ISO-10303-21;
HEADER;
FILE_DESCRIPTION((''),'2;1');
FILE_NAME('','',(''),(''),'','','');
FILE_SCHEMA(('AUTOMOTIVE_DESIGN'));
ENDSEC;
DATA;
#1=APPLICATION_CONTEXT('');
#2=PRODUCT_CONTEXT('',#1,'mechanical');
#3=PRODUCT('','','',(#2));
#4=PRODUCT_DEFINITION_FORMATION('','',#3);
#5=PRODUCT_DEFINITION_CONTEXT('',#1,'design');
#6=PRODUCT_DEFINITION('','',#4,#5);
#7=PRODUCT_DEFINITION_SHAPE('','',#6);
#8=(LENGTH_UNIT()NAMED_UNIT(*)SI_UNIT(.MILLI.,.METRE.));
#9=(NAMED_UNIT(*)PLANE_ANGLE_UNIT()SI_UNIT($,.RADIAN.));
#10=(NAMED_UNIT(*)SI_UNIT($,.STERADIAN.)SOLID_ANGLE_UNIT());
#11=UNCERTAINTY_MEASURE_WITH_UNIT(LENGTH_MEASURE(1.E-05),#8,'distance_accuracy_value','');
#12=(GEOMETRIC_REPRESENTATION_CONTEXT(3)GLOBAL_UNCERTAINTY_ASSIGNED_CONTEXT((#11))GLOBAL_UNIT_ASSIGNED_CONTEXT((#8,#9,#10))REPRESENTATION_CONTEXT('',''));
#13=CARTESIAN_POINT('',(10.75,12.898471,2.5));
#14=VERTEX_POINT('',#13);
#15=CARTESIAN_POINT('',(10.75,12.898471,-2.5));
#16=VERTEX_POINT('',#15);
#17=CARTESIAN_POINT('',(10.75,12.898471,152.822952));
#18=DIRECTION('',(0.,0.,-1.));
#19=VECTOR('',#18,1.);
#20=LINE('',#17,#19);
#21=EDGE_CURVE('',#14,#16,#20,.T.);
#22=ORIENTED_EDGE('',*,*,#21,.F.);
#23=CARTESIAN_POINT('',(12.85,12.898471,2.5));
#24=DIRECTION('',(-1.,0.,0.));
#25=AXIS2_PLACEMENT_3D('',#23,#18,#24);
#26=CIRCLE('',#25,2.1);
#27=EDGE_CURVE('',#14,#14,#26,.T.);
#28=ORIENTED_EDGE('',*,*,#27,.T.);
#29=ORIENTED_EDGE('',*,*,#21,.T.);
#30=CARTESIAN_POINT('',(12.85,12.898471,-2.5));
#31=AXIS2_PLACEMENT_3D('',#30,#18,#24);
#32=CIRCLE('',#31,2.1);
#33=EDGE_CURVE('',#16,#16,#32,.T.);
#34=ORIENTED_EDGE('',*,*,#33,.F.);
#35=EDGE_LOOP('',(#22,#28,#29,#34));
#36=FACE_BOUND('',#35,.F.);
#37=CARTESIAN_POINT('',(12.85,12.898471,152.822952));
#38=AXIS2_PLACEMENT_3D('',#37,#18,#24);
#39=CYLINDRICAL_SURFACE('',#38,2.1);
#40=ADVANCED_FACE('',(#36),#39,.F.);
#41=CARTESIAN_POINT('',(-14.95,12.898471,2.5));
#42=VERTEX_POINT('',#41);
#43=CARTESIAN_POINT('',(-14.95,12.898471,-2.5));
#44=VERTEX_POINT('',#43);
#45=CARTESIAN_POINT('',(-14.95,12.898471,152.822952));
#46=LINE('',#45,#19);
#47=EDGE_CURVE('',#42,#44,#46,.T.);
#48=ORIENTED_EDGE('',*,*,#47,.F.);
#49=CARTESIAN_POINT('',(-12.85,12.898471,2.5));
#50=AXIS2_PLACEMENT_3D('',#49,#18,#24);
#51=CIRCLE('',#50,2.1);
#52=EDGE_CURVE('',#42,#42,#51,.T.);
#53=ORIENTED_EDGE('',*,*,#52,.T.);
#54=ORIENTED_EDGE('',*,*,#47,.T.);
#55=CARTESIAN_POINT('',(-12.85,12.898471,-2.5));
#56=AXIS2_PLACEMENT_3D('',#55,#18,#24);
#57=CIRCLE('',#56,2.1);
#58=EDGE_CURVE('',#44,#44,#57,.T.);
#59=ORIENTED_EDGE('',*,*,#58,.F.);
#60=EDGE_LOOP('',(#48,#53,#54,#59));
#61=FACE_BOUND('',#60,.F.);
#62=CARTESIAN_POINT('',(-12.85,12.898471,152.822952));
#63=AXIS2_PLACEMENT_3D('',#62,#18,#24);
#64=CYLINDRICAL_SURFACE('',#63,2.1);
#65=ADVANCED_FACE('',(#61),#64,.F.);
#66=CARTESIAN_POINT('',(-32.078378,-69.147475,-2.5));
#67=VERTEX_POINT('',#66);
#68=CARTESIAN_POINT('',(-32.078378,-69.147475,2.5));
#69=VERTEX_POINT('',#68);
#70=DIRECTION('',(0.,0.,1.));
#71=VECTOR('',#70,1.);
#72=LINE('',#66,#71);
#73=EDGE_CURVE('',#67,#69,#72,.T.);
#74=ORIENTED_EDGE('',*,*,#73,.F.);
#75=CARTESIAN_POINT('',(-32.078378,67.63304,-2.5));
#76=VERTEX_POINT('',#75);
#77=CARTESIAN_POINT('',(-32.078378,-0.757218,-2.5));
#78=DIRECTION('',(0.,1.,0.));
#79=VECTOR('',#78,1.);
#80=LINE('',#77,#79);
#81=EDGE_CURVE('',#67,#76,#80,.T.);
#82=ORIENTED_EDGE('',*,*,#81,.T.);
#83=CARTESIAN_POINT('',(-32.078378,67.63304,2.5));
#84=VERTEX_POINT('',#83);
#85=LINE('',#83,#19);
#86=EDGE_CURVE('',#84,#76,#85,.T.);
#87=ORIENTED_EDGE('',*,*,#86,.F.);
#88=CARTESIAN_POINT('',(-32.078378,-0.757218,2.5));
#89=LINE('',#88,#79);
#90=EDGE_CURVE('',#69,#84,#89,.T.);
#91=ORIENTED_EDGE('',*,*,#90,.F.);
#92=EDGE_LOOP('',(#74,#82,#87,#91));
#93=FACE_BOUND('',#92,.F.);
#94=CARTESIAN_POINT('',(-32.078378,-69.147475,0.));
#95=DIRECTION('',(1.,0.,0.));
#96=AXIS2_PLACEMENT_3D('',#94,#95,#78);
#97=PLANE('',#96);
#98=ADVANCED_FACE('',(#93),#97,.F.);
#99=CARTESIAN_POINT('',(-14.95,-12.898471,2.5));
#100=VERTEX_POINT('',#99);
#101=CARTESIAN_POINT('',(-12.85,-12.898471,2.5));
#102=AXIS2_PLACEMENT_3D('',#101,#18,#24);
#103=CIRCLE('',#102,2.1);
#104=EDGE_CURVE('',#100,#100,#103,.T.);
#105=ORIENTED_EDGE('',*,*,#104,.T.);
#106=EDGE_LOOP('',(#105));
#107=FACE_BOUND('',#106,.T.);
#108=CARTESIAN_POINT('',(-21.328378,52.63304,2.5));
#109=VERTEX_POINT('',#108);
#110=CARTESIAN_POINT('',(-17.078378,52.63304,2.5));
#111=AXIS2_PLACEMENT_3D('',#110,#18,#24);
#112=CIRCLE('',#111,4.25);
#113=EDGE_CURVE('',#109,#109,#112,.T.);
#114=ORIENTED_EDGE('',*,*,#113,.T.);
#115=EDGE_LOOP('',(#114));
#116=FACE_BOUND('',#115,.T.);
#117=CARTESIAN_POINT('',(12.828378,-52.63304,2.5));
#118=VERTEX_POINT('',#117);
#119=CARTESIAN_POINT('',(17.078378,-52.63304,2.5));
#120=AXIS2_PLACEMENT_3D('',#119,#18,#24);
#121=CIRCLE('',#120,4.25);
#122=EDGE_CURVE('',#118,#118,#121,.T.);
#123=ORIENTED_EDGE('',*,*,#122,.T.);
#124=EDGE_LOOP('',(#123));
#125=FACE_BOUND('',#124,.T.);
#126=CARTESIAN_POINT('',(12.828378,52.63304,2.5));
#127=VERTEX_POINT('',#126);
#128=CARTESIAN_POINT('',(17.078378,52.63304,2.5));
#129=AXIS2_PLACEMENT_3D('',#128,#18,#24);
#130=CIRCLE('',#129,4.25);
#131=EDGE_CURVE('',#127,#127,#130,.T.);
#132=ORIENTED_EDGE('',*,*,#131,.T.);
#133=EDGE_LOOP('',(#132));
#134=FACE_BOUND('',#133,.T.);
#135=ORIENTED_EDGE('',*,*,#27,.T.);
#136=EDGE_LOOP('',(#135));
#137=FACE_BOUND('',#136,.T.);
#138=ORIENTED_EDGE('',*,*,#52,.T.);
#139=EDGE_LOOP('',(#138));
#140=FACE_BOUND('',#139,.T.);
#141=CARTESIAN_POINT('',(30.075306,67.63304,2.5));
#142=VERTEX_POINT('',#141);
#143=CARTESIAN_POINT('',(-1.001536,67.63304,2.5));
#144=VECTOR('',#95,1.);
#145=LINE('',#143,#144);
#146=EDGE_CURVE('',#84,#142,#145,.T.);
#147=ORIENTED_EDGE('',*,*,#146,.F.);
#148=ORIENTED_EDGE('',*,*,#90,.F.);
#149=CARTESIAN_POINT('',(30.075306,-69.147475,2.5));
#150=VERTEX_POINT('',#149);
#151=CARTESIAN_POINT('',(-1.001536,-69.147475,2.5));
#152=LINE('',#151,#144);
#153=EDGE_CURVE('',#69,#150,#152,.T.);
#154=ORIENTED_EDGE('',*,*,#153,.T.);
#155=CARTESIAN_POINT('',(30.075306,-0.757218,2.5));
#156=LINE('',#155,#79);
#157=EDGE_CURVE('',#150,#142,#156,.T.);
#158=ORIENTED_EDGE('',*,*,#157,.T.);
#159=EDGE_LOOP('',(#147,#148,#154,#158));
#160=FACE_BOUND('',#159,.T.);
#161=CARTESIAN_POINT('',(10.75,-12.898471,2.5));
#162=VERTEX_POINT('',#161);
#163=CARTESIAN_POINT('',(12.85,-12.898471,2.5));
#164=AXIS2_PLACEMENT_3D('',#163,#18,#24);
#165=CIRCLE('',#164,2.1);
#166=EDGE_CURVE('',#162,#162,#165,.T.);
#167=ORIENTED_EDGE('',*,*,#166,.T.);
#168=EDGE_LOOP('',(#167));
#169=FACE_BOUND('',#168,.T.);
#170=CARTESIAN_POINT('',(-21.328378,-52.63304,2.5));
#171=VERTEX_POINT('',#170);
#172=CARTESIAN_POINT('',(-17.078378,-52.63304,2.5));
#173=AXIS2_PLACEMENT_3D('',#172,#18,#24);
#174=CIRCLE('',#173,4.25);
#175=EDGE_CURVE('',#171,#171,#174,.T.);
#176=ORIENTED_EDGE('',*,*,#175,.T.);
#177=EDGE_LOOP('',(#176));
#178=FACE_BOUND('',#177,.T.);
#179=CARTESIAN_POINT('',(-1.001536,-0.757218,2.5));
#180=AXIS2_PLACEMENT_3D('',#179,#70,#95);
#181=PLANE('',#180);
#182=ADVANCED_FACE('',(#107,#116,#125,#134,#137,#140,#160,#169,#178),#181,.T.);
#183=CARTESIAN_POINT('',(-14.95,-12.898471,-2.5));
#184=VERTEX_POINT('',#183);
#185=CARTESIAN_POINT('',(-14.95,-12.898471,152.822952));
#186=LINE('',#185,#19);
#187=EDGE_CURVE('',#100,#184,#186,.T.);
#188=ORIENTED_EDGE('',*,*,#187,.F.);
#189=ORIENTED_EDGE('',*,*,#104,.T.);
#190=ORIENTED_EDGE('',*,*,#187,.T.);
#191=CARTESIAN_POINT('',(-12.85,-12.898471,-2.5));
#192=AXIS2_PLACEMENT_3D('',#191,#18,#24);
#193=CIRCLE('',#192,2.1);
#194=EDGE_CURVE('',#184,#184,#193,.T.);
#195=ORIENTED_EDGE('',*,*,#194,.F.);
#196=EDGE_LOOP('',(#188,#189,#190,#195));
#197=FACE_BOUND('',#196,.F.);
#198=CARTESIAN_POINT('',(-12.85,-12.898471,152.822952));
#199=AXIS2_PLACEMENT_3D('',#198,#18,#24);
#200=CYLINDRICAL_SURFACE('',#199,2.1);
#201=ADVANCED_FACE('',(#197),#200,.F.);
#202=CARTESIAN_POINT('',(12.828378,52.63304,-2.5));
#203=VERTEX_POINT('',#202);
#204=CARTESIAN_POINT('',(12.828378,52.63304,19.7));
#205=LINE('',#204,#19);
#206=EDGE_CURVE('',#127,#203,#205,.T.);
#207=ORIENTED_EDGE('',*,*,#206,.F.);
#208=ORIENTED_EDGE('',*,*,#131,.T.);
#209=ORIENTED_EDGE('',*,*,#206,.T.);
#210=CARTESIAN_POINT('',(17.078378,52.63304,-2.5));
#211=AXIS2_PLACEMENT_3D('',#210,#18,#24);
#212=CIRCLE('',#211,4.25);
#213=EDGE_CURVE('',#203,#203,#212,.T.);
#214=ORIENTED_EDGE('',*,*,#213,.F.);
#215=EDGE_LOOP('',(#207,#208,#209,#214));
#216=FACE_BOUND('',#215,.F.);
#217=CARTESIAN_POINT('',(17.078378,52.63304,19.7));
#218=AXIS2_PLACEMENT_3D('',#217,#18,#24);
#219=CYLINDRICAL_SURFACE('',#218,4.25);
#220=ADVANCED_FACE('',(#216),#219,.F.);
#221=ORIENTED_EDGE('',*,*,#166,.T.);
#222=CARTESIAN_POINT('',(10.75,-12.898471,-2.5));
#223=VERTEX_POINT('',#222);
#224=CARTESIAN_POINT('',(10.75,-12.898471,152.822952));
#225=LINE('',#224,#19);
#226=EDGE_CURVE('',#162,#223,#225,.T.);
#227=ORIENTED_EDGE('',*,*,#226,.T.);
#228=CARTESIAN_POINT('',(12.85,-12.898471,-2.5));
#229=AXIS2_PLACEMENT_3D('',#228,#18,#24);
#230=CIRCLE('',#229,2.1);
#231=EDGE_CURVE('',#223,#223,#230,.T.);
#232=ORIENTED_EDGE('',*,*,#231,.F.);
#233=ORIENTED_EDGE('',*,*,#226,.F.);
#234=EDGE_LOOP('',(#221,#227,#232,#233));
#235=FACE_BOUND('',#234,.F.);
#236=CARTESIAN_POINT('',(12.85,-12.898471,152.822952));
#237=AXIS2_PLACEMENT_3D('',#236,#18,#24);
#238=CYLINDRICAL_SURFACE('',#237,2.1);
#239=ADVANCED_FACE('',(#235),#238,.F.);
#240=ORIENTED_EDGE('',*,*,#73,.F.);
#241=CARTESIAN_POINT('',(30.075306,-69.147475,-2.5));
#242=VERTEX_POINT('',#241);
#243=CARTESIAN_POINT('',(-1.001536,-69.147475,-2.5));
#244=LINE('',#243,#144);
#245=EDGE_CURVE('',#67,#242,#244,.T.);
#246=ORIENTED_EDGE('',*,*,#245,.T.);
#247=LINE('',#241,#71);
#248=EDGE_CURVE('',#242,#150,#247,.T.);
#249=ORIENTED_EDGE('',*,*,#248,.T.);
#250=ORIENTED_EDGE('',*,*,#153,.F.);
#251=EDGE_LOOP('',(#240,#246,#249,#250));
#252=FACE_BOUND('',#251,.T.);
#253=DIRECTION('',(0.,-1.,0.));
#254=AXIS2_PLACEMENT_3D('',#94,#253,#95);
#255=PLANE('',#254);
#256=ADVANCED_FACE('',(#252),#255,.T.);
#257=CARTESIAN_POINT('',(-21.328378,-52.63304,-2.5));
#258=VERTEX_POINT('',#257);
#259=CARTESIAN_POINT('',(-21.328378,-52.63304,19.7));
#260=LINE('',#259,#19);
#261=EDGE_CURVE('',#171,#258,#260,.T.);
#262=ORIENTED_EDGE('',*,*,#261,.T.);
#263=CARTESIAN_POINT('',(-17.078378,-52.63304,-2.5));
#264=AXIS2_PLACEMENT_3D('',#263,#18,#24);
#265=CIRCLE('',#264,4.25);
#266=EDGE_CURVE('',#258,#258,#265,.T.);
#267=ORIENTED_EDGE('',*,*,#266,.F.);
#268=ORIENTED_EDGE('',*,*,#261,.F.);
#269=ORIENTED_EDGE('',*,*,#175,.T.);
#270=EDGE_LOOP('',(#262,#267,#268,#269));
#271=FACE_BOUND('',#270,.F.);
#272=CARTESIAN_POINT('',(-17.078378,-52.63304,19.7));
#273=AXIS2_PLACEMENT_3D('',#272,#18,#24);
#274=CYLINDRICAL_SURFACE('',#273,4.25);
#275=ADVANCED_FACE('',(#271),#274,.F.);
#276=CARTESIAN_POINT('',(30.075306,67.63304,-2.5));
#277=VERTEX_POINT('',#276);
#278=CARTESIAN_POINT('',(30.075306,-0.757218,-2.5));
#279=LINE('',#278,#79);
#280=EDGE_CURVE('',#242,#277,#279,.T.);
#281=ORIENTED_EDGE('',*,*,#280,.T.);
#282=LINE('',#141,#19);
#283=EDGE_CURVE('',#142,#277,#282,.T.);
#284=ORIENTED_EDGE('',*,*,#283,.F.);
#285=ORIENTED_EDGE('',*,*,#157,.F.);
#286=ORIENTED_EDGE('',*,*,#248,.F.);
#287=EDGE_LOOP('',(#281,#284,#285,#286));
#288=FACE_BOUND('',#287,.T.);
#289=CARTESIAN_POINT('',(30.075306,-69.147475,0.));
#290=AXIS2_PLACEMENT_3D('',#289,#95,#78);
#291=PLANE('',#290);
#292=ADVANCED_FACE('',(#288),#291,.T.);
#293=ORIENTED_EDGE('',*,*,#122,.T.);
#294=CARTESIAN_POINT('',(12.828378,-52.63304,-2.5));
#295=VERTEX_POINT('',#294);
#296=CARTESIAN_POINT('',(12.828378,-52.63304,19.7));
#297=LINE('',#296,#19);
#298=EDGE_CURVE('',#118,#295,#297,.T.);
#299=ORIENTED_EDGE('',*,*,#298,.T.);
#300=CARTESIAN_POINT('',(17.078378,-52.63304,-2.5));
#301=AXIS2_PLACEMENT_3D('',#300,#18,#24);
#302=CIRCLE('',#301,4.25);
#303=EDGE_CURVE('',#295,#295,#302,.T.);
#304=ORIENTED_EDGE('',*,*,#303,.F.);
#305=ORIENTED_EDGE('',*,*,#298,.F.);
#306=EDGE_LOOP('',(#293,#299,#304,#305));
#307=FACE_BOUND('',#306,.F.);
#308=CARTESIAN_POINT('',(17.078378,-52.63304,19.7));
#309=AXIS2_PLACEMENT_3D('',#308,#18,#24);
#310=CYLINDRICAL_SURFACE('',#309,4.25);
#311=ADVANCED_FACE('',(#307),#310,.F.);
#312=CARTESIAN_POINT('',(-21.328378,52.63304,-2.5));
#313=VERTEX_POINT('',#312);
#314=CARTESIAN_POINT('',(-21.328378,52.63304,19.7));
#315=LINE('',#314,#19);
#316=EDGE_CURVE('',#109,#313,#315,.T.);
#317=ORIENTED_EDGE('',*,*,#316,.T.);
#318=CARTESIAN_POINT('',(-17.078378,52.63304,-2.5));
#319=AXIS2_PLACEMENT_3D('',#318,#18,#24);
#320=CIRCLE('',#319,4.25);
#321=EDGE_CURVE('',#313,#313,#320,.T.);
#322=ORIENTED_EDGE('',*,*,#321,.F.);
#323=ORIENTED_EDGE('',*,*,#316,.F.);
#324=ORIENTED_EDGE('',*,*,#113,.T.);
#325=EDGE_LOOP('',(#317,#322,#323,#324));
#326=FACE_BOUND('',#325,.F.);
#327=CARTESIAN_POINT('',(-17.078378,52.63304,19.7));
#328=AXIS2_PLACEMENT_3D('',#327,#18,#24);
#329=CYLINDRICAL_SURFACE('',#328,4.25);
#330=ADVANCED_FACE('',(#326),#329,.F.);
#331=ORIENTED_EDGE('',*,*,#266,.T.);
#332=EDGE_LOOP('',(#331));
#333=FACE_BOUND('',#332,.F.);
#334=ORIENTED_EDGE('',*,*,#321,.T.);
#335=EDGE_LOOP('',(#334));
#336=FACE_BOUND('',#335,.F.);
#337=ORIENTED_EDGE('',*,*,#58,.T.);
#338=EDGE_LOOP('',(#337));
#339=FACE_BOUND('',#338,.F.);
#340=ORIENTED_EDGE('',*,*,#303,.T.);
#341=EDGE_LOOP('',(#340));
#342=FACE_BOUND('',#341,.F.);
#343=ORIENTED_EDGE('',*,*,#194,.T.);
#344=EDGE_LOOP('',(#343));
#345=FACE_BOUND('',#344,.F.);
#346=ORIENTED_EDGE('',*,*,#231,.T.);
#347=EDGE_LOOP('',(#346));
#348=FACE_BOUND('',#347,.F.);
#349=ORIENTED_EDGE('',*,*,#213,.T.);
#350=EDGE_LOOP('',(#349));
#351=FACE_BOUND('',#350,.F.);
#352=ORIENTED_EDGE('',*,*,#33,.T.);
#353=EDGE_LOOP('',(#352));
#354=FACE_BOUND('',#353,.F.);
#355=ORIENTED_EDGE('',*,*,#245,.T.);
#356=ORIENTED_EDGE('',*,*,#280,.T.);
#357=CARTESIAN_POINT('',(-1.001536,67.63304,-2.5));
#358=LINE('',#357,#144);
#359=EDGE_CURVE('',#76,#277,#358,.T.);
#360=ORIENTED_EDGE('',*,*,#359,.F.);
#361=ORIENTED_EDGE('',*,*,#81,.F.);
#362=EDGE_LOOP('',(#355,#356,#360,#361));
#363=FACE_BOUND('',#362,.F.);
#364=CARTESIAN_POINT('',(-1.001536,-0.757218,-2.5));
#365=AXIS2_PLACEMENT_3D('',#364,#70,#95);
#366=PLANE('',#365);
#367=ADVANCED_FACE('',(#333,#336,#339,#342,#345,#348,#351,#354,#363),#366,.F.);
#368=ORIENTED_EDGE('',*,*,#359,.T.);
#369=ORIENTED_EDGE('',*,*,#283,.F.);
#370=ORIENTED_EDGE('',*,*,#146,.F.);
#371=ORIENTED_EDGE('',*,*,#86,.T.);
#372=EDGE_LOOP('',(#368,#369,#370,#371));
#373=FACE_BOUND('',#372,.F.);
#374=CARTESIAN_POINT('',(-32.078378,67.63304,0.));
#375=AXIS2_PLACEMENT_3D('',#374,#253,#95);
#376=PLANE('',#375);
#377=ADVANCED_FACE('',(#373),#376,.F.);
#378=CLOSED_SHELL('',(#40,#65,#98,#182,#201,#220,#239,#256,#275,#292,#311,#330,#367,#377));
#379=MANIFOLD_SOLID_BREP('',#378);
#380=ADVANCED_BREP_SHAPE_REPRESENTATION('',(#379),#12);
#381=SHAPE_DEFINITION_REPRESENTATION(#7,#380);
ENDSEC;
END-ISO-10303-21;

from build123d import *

# Parameters (mm, degrees)
F0_W     = 62.1536839753
F0_H     = 136.7805153131
F1_DEPTH = 2.5
F3_D     = 4.2
F5_D     = 8.5
F5_DEPTH = 17.2
F5_TIP   = 2.5536576309


with BuildPart() as f1:
    # F0 (on Top) → F1 (new body, symmetric)
    with BuildSketch(Plane.XY):
        with Locations((-1.0015358767, -0.7572177634)):
            Rectangle(F0_W, F0_H)
    extrude(amount=F1_DEPTH, both=True)

    # F3 (through all)
    with Locations(Plane.XY.offset(2.5)):
        with Locations((-12.85, -12.898471453), (-12.85, 12.898471453), (12.85, -12.898471453), (12.85, 12.898471453)):
            Hole(F3_D / 2)

    # F5
    with Locations(Plane.XY.offset(2.5)):
        with Locations((-17.0783778643, 52.6330398932), (17.0783778643, 52.6330398932), (17.0783778643, -52.6330398932), (-17.0783778643, -52.6330398932)):
            Hole(F5_D / 2, depth=F5_DEPTH)
            with Locations((0, 0, -(F5_DEPTH + F5_TIP / 2))):  # 118° drill point
                Cone(0, F5_D / 2, F5_TIP, mode=Mode.SUBTRACT)


solid = f1.part
